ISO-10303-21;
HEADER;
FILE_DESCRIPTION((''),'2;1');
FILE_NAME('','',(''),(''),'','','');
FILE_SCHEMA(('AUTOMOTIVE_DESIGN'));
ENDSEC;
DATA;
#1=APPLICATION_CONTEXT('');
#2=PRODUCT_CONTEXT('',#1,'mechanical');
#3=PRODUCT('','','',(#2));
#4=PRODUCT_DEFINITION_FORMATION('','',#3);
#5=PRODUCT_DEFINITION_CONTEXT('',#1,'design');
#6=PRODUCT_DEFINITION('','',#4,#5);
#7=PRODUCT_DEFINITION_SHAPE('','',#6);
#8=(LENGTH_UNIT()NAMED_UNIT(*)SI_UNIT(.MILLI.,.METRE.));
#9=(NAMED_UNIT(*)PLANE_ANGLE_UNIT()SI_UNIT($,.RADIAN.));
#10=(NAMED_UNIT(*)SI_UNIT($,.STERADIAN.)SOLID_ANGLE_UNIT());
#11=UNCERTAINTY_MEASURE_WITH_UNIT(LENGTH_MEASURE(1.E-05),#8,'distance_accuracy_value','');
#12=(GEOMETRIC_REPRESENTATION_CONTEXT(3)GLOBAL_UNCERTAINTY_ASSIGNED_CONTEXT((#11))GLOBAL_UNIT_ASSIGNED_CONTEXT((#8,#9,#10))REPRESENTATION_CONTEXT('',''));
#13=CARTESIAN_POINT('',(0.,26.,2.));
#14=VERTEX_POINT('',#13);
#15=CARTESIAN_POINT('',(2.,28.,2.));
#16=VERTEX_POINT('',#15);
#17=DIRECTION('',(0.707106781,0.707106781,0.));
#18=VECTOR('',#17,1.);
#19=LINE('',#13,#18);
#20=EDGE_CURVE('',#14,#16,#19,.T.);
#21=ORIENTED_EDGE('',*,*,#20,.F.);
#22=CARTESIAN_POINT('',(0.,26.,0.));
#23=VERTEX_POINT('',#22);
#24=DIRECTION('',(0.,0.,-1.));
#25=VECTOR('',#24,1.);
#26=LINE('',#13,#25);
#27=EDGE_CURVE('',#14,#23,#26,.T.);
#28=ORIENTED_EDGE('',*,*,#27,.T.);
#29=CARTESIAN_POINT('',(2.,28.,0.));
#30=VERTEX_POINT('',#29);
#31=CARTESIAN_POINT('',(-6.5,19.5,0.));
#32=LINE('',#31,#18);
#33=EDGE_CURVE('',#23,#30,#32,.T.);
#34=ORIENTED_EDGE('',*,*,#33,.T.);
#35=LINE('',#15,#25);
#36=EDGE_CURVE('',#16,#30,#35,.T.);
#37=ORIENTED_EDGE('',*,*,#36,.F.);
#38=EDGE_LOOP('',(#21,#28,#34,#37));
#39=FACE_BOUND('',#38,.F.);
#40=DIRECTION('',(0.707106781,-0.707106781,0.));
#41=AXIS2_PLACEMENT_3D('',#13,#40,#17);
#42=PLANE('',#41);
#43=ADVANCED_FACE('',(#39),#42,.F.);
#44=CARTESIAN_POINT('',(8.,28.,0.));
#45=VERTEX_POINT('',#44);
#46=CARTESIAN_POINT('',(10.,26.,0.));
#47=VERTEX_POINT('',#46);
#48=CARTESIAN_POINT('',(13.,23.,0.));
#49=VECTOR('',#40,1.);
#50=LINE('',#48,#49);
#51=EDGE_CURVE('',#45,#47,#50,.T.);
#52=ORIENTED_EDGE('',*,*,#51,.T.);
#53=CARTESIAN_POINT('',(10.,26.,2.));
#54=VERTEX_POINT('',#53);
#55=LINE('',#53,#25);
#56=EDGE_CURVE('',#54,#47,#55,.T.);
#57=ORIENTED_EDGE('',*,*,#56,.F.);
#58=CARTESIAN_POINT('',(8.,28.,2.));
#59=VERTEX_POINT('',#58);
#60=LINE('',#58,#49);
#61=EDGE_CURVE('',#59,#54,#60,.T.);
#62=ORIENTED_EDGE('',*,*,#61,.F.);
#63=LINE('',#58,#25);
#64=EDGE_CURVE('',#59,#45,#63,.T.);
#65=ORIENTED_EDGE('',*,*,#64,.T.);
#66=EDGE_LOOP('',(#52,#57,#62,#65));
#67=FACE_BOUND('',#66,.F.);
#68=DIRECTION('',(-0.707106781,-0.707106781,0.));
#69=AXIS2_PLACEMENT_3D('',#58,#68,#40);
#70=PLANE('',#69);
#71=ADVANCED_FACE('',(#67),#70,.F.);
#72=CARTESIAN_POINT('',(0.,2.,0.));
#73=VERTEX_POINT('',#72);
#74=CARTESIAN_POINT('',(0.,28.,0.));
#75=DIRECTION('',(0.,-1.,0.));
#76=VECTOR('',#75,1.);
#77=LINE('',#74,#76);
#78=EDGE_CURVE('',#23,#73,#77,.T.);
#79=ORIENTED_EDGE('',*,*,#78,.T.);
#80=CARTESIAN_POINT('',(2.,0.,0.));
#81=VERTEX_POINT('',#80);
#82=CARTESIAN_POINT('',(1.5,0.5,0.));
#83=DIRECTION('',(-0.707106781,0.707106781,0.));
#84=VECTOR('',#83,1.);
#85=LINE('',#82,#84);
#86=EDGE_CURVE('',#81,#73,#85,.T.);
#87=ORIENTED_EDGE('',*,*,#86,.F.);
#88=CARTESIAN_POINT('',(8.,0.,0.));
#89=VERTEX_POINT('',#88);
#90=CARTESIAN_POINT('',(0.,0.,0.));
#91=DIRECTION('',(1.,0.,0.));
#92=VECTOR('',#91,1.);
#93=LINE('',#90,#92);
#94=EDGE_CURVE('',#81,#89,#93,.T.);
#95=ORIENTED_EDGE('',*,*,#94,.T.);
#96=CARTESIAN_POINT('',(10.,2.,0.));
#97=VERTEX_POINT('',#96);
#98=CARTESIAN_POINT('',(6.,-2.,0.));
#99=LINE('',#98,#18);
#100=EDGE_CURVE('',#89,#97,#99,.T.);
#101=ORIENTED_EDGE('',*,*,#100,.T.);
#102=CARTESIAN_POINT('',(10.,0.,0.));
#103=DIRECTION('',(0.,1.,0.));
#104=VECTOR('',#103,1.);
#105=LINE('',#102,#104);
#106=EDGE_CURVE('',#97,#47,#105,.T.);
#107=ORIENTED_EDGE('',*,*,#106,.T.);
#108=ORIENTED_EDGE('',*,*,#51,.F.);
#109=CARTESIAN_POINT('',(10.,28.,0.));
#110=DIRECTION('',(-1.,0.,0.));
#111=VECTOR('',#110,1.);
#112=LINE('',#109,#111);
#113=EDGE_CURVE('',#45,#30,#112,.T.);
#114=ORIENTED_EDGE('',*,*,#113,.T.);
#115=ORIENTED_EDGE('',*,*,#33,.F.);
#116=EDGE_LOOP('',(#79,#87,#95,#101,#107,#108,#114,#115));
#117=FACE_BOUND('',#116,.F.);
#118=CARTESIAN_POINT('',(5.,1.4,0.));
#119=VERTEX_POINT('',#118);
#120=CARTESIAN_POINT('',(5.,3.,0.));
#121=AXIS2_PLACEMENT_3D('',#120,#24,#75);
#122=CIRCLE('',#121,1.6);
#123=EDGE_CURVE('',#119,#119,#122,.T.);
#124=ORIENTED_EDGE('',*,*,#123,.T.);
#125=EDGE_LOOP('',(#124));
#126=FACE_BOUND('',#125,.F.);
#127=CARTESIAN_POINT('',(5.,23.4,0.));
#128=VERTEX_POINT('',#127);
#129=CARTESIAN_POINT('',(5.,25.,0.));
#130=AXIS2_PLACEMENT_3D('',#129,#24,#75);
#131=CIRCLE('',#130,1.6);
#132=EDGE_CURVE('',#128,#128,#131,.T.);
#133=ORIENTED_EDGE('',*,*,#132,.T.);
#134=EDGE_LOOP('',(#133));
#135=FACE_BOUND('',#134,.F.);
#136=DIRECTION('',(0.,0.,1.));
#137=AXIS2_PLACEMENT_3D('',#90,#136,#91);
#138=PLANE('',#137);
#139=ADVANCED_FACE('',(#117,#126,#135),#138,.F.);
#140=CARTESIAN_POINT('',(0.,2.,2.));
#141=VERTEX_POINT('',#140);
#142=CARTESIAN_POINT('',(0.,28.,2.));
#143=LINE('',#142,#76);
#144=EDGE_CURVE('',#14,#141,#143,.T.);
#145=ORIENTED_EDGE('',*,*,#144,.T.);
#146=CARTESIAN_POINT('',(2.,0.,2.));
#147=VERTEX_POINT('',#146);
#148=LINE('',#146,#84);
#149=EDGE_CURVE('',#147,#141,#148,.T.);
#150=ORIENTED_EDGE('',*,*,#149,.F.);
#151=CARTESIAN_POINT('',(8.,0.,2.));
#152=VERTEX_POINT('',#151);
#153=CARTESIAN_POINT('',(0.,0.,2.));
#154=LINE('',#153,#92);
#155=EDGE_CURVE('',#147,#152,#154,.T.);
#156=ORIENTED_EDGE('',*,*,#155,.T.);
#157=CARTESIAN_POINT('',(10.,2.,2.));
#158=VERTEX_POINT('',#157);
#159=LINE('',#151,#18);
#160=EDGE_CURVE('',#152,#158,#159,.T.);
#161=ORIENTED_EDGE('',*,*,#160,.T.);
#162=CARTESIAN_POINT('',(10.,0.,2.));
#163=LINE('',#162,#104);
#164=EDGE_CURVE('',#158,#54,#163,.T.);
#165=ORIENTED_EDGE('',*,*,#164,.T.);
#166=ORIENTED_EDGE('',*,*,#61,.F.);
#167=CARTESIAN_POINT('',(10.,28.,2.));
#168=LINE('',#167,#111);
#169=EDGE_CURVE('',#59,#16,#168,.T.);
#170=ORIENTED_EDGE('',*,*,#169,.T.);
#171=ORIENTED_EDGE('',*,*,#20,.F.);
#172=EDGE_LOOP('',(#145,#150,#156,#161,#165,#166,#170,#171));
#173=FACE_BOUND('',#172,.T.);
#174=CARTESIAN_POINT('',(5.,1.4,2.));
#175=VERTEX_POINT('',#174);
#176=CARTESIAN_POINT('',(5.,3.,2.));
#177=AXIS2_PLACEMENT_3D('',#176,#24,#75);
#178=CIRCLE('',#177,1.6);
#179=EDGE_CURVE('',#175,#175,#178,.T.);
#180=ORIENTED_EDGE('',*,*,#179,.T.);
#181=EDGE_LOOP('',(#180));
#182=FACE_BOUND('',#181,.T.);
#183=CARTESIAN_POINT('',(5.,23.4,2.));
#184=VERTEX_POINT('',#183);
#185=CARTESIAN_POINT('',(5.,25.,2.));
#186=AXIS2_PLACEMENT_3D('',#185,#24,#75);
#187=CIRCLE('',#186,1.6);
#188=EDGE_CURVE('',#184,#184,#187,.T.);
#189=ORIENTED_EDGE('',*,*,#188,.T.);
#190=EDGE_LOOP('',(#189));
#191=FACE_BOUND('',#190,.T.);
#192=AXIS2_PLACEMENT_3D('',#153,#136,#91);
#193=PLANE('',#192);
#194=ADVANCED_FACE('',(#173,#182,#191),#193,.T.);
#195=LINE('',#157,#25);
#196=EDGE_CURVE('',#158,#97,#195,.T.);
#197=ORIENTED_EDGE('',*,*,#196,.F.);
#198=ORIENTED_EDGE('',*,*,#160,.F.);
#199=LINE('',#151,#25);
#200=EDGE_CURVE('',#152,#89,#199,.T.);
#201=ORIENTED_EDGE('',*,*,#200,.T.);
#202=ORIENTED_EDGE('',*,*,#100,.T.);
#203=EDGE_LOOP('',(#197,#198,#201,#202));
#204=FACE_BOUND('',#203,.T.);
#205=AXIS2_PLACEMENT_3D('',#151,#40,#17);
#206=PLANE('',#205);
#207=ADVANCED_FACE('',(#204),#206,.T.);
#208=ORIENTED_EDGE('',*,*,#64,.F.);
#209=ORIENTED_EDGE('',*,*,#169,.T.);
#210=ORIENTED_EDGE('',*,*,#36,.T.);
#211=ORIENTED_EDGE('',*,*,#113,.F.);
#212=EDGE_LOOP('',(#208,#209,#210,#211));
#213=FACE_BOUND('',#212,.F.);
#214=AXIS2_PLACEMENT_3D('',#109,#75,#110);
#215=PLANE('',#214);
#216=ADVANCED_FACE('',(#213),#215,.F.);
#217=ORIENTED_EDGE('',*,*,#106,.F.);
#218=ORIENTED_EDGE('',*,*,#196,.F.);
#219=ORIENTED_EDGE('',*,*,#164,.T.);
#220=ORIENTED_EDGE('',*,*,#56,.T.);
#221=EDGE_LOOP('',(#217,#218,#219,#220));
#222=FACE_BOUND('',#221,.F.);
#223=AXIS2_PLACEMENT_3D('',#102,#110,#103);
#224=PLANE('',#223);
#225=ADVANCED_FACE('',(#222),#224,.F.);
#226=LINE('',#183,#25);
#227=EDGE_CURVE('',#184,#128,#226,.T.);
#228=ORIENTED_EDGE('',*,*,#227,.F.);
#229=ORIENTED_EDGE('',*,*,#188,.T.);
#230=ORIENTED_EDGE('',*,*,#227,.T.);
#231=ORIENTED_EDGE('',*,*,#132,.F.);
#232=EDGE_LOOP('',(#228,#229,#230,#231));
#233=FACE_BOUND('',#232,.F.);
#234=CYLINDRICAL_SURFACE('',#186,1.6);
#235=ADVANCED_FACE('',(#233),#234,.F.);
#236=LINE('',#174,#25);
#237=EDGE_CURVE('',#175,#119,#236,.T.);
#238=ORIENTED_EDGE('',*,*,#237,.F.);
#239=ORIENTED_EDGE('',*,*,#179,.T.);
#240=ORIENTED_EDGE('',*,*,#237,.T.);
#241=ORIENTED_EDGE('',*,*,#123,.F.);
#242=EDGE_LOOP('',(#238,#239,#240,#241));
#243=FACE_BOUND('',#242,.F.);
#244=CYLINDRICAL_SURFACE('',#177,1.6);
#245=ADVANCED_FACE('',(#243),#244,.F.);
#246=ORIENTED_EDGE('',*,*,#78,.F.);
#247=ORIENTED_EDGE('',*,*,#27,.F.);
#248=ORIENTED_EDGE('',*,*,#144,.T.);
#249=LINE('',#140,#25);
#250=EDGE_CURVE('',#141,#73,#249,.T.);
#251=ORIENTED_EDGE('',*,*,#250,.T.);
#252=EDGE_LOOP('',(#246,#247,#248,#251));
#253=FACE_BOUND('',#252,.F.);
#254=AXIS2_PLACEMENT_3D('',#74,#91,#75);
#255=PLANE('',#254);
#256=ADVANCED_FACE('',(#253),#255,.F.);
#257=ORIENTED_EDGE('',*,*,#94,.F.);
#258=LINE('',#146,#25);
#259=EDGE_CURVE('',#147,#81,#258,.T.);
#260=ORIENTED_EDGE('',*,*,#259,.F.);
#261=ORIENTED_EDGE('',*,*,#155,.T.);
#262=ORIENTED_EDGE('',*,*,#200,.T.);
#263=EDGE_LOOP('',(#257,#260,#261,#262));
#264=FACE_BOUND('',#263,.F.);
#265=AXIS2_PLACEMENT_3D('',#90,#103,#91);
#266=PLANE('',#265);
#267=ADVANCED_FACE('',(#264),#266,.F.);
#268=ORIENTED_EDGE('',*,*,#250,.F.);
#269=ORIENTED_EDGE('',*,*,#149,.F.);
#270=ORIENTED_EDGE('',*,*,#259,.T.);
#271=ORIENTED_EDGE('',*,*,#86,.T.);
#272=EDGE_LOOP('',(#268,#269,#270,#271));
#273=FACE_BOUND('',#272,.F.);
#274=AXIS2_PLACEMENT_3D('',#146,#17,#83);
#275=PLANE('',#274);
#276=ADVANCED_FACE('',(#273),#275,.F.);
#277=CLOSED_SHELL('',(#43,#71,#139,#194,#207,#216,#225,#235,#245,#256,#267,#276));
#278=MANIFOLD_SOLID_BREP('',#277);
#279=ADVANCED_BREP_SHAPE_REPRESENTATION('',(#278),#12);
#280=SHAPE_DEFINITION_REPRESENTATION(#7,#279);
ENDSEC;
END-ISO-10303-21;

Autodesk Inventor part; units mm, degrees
ref_plane "YZ Plane" through (0, 0, 0) normal (1, 0, 0) x (0, 1, 0)
ref_plane "XZ Plane" through (0, 0, 0) normal (0, 1, 0) x (-1, 0, 0)
ref_plane "XY Plane" through (0, 0, 0) normal (0, 0, 1) x (1, 0, 0)
sketch "スケッチ1" plane through (0, 0, 0) normal (0, 0, 1) x (1, 0, 0)
  line L0 (0, 0) -> (10, 0)
  line L1 (10, 0) -> (10, 28)
  line L2 (10, 28) -> (0, 28)
  line L3 (0, 28) -> (0, 0)
  dimension "d0" = 10
  dimension "d1" = 28
extrude "押し出し1" add sketch "スケッチ1" along normal blind 2
sketch "スケッチ2" plane through (0, 0, 2) normal (0, 0, 1) x (1, 0, 0)
  line L0 (10, 28) -> (0, 28) projected
  line L1 (10, 0) -> (10, 28) projected
  line L2 (0, 0) -> (10, 0) projected
  point P0 (5, 3)
  dimension "d6" = 5
  dimension "d7" = 3
hole "穴1" at (5, 3, 2) direction (0, 0, -1) diameter 3.2 end through all
sketch "スケッチ7" plane through (0, 0, 2) normal (0, 0, 1) x (1, 0, 0)
  line L0 (10, 0) -> (10, 28) projected
  line L1 (10, 28) -> (0, 28) projected
  point P0 (0, 0)
  point P1 (5, 25)
  point P2 (6, 3)
  point P3 (6, 27)
  point P4 (5, 28)
  point P5 (1, 28)
  point P6 (6, 2)
  dimension "d43" = 5
  dimension "d44" = 3
hole "穴2" at (5, 25, 2) direction (0, 0, -1) diameter 3.2 end through all
sketch "スケッチ8" plane through (0, 0, 2) normal (0, 0, 1) x (1, 0, 0)
  line L0 (10, 28) -> (0, 28) projected
  line L1 (8, 28) -> (10, 26)
  line L2 (10, 0) -> (10, 28) projected
  line L3 (0, 28) -> (0, 0) projected
  line L4 (0, 26) -> (2, 28)
  line L5 (0, 0) -> (10, 0) projected
  line L6 (2, 0) -> (0, 2)
  line L7 (8, 0) -> (10, 2)
  dimension "d45" = 2
  dimension "d46" = 2
  dimension "d49" = 2
  dimension "d50" = 2
  dimension "d51" = 2
  dimension "d52" = 2
  dimension "d53" = 2
  dimension "d54" = 2
extrude "押し出し5" cut sketch "スケッチ8" against normal blind 10 contours L2 L1 L0 | L4 L3 L0 | L2 L5 L7 | L6 L5 L3
properties part number "リンク26×6×2"
